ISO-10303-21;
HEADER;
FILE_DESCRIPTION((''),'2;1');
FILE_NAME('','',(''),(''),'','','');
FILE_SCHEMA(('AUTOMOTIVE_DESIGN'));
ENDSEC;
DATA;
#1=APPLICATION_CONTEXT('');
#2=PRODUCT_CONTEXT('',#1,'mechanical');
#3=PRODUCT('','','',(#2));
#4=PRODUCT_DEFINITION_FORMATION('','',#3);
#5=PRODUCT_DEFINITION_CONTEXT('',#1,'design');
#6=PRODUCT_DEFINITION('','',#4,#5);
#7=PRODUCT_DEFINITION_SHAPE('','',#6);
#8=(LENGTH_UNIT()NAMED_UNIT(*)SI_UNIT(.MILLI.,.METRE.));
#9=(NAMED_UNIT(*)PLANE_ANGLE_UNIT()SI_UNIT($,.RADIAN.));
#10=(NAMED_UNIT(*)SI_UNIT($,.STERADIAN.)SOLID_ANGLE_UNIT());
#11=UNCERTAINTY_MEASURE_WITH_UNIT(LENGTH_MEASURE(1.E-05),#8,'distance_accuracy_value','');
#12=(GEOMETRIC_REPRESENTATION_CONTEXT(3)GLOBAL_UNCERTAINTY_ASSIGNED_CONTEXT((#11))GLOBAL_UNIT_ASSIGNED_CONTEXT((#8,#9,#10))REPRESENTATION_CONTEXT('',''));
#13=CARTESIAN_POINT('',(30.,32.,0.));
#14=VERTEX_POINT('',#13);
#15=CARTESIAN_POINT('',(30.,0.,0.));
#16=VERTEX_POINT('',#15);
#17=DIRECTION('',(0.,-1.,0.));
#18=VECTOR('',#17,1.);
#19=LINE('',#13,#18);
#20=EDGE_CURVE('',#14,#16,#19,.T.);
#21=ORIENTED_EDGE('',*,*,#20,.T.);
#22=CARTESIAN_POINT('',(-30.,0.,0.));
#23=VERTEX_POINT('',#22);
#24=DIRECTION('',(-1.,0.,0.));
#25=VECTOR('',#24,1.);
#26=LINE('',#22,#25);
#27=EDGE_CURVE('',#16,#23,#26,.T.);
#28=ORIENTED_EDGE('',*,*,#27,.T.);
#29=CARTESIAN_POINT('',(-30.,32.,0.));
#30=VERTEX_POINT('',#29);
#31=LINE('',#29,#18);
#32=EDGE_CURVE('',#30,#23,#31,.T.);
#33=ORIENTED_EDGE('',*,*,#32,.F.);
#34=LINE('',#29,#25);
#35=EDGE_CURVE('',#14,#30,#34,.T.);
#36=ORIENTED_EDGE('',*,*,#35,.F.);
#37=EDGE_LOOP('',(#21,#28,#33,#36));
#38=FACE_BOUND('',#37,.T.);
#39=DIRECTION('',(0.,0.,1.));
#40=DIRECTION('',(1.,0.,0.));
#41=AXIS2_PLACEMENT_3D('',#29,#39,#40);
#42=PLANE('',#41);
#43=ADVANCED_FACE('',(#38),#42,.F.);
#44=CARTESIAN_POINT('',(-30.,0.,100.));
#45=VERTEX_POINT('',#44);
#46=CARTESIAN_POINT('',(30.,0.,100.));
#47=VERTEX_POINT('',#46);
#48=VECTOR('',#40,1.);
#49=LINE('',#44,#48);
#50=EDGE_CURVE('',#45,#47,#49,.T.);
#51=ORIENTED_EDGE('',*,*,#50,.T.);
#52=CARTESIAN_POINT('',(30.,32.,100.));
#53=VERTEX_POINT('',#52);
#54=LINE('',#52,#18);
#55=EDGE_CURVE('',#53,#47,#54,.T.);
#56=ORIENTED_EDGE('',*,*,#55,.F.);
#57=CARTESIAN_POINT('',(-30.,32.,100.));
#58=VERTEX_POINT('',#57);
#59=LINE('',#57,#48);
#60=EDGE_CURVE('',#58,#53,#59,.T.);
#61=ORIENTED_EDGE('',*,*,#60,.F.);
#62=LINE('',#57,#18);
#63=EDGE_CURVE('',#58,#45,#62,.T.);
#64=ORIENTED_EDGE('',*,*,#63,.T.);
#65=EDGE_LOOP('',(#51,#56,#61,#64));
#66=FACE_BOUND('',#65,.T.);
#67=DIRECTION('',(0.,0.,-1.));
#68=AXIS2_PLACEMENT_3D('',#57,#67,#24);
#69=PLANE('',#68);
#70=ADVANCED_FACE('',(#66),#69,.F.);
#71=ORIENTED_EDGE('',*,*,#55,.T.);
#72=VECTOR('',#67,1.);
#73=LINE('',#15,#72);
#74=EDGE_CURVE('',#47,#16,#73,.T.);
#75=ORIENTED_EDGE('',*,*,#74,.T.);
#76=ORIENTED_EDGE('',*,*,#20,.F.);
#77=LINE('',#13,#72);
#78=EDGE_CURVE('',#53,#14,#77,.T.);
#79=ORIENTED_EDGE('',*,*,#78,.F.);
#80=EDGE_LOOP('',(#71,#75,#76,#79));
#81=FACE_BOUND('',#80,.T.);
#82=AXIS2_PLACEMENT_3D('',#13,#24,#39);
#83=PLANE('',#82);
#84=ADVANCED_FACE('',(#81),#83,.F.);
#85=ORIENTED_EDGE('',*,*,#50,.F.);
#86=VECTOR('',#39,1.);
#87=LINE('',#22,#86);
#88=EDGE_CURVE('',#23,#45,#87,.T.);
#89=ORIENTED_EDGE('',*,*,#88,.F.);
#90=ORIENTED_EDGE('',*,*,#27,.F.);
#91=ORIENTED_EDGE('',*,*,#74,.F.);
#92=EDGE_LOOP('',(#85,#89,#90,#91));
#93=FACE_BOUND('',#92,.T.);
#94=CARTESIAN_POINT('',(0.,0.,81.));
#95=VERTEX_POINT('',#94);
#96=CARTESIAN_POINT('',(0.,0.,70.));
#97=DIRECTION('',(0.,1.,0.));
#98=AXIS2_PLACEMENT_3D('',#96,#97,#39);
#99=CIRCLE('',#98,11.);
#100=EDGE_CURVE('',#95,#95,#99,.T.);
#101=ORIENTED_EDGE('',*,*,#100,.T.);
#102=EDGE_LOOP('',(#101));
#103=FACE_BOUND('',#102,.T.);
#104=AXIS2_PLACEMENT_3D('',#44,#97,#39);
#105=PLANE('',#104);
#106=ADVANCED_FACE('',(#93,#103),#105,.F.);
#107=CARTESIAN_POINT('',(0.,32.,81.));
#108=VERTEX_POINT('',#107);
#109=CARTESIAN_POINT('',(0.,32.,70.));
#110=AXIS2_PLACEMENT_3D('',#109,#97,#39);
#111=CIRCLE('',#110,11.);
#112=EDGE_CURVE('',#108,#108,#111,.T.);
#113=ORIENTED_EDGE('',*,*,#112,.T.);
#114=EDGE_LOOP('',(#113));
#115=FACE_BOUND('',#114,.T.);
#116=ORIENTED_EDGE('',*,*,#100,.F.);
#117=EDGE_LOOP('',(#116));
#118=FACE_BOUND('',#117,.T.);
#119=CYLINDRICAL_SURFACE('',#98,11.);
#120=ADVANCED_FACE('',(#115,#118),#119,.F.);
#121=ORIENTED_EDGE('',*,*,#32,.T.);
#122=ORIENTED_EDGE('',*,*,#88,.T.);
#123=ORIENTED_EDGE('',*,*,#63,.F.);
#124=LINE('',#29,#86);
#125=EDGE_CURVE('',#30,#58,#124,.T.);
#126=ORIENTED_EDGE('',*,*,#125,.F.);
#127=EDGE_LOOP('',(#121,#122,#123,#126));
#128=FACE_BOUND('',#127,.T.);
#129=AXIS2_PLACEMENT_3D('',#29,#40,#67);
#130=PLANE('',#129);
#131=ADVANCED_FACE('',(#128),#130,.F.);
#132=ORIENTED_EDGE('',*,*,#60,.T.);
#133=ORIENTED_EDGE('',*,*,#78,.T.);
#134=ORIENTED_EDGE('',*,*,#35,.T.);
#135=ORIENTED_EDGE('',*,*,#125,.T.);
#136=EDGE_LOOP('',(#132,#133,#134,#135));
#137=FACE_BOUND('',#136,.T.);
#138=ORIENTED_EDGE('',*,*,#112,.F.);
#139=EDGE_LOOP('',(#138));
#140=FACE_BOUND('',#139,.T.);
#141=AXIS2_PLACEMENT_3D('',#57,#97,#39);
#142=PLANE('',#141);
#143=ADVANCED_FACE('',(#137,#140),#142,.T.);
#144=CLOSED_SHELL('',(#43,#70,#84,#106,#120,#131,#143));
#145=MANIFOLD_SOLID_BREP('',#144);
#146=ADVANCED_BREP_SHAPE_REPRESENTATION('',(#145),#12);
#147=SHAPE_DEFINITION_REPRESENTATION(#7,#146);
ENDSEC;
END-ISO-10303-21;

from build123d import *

# Parameters (mm, degrees)
SKETCH_1_W          = 60
SKETCH_1_H          = 100
EXTRUDE_1_DEPTH     = 32
SKETCH_4_R          = 11
CUT_EXTRUDE_3_DEPTH = 110.197069558


with BuildPart() as part:
    # 草图1 → 拉伸1 (new body)
    with BuildSketch(Plane(origin=(0, 0, 0), x_dir=(1, 0, 0), z_dir=(0, 1, 0))):
        with Locations((0, -50)):
            Rectangle(SKETCH_1_W, SKETCH_1_H)
    extrude(amount=EXTRUDE_1_DEPTH)

    # 草图4 → 拉伸3 (cut, through all)
    with BuildSketch(Plane(origin=(0, 32, 0), x_dir=(1, 0, 0), z_dir=(0, 1, 0))):
        with Locations(Location((0, -70, 0), (0, 0, 270))):
            Circle(SKETCH_4_R)
    extrude(amount=-CUT_EXTRUDE_3_DEPTH, mode=Mode.SUBTRACT)


solid = part.part
